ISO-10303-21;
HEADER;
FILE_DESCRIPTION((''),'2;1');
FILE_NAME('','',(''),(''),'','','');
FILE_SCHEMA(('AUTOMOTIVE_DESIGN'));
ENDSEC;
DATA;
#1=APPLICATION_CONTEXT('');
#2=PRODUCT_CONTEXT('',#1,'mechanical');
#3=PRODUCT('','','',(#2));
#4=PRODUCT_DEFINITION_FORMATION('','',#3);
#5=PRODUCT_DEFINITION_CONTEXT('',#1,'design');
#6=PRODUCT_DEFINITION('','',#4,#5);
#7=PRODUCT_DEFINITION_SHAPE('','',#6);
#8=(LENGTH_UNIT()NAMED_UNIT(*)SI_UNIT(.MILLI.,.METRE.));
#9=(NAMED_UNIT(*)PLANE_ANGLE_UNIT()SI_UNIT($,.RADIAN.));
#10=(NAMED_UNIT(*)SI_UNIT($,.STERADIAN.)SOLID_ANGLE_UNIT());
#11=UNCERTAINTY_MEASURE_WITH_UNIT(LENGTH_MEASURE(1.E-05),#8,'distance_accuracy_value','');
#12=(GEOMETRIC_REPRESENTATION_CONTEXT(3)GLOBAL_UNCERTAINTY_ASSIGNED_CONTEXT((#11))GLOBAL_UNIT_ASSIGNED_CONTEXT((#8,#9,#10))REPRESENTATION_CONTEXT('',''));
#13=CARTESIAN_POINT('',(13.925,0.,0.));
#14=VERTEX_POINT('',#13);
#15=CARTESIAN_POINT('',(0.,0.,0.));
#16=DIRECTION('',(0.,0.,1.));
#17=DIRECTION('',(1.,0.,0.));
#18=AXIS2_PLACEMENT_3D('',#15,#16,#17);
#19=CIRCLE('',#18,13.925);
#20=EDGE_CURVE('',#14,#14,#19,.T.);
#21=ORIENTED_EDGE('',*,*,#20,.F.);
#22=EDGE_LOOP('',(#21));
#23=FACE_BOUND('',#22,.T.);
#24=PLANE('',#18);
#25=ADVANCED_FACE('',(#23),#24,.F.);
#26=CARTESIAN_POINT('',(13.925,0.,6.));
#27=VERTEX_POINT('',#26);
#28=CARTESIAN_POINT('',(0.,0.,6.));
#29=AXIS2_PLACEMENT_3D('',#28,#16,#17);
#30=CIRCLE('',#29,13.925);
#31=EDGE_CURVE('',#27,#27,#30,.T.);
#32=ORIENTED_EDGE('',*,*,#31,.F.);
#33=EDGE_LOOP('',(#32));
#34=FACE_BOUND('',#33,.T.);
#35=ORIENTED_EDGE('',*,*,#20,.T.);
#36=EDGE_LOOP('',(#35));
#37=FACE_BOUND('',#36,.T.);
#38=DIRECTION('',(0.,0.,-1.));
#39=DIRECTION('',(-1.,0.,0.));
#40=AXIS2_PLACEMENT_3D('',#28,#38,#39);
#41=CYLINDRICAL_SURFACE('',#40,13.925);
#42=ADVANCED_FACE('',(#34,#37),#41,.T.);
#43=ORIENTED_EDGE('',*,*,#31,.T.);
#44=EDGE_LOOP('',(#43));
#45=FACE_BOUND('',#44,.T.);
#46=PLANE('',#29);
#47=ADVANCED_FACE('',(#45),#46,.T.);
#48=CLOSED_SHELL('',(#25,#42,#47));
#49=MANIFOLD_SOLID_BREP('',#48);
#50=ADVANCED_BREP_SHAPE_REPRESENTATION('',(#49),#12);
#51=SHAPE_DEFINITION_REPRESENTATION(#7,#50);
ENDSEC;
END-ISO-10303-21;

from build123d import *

# Parameters (mm, degrees)
ESQUISSE1_R        = 13.925
BOSS_EXTRU_1_DEPTH = 6


with BuildPart() as part:
    # Esquisse1 → Boss.-Extru.1 (new body)
    with BuildSketch(Plane.XY):
        Circle(ESQUISSE1_R)
    extrude(amount=BOSS_EXTRU_1_DEPTH)


solid = part.part
